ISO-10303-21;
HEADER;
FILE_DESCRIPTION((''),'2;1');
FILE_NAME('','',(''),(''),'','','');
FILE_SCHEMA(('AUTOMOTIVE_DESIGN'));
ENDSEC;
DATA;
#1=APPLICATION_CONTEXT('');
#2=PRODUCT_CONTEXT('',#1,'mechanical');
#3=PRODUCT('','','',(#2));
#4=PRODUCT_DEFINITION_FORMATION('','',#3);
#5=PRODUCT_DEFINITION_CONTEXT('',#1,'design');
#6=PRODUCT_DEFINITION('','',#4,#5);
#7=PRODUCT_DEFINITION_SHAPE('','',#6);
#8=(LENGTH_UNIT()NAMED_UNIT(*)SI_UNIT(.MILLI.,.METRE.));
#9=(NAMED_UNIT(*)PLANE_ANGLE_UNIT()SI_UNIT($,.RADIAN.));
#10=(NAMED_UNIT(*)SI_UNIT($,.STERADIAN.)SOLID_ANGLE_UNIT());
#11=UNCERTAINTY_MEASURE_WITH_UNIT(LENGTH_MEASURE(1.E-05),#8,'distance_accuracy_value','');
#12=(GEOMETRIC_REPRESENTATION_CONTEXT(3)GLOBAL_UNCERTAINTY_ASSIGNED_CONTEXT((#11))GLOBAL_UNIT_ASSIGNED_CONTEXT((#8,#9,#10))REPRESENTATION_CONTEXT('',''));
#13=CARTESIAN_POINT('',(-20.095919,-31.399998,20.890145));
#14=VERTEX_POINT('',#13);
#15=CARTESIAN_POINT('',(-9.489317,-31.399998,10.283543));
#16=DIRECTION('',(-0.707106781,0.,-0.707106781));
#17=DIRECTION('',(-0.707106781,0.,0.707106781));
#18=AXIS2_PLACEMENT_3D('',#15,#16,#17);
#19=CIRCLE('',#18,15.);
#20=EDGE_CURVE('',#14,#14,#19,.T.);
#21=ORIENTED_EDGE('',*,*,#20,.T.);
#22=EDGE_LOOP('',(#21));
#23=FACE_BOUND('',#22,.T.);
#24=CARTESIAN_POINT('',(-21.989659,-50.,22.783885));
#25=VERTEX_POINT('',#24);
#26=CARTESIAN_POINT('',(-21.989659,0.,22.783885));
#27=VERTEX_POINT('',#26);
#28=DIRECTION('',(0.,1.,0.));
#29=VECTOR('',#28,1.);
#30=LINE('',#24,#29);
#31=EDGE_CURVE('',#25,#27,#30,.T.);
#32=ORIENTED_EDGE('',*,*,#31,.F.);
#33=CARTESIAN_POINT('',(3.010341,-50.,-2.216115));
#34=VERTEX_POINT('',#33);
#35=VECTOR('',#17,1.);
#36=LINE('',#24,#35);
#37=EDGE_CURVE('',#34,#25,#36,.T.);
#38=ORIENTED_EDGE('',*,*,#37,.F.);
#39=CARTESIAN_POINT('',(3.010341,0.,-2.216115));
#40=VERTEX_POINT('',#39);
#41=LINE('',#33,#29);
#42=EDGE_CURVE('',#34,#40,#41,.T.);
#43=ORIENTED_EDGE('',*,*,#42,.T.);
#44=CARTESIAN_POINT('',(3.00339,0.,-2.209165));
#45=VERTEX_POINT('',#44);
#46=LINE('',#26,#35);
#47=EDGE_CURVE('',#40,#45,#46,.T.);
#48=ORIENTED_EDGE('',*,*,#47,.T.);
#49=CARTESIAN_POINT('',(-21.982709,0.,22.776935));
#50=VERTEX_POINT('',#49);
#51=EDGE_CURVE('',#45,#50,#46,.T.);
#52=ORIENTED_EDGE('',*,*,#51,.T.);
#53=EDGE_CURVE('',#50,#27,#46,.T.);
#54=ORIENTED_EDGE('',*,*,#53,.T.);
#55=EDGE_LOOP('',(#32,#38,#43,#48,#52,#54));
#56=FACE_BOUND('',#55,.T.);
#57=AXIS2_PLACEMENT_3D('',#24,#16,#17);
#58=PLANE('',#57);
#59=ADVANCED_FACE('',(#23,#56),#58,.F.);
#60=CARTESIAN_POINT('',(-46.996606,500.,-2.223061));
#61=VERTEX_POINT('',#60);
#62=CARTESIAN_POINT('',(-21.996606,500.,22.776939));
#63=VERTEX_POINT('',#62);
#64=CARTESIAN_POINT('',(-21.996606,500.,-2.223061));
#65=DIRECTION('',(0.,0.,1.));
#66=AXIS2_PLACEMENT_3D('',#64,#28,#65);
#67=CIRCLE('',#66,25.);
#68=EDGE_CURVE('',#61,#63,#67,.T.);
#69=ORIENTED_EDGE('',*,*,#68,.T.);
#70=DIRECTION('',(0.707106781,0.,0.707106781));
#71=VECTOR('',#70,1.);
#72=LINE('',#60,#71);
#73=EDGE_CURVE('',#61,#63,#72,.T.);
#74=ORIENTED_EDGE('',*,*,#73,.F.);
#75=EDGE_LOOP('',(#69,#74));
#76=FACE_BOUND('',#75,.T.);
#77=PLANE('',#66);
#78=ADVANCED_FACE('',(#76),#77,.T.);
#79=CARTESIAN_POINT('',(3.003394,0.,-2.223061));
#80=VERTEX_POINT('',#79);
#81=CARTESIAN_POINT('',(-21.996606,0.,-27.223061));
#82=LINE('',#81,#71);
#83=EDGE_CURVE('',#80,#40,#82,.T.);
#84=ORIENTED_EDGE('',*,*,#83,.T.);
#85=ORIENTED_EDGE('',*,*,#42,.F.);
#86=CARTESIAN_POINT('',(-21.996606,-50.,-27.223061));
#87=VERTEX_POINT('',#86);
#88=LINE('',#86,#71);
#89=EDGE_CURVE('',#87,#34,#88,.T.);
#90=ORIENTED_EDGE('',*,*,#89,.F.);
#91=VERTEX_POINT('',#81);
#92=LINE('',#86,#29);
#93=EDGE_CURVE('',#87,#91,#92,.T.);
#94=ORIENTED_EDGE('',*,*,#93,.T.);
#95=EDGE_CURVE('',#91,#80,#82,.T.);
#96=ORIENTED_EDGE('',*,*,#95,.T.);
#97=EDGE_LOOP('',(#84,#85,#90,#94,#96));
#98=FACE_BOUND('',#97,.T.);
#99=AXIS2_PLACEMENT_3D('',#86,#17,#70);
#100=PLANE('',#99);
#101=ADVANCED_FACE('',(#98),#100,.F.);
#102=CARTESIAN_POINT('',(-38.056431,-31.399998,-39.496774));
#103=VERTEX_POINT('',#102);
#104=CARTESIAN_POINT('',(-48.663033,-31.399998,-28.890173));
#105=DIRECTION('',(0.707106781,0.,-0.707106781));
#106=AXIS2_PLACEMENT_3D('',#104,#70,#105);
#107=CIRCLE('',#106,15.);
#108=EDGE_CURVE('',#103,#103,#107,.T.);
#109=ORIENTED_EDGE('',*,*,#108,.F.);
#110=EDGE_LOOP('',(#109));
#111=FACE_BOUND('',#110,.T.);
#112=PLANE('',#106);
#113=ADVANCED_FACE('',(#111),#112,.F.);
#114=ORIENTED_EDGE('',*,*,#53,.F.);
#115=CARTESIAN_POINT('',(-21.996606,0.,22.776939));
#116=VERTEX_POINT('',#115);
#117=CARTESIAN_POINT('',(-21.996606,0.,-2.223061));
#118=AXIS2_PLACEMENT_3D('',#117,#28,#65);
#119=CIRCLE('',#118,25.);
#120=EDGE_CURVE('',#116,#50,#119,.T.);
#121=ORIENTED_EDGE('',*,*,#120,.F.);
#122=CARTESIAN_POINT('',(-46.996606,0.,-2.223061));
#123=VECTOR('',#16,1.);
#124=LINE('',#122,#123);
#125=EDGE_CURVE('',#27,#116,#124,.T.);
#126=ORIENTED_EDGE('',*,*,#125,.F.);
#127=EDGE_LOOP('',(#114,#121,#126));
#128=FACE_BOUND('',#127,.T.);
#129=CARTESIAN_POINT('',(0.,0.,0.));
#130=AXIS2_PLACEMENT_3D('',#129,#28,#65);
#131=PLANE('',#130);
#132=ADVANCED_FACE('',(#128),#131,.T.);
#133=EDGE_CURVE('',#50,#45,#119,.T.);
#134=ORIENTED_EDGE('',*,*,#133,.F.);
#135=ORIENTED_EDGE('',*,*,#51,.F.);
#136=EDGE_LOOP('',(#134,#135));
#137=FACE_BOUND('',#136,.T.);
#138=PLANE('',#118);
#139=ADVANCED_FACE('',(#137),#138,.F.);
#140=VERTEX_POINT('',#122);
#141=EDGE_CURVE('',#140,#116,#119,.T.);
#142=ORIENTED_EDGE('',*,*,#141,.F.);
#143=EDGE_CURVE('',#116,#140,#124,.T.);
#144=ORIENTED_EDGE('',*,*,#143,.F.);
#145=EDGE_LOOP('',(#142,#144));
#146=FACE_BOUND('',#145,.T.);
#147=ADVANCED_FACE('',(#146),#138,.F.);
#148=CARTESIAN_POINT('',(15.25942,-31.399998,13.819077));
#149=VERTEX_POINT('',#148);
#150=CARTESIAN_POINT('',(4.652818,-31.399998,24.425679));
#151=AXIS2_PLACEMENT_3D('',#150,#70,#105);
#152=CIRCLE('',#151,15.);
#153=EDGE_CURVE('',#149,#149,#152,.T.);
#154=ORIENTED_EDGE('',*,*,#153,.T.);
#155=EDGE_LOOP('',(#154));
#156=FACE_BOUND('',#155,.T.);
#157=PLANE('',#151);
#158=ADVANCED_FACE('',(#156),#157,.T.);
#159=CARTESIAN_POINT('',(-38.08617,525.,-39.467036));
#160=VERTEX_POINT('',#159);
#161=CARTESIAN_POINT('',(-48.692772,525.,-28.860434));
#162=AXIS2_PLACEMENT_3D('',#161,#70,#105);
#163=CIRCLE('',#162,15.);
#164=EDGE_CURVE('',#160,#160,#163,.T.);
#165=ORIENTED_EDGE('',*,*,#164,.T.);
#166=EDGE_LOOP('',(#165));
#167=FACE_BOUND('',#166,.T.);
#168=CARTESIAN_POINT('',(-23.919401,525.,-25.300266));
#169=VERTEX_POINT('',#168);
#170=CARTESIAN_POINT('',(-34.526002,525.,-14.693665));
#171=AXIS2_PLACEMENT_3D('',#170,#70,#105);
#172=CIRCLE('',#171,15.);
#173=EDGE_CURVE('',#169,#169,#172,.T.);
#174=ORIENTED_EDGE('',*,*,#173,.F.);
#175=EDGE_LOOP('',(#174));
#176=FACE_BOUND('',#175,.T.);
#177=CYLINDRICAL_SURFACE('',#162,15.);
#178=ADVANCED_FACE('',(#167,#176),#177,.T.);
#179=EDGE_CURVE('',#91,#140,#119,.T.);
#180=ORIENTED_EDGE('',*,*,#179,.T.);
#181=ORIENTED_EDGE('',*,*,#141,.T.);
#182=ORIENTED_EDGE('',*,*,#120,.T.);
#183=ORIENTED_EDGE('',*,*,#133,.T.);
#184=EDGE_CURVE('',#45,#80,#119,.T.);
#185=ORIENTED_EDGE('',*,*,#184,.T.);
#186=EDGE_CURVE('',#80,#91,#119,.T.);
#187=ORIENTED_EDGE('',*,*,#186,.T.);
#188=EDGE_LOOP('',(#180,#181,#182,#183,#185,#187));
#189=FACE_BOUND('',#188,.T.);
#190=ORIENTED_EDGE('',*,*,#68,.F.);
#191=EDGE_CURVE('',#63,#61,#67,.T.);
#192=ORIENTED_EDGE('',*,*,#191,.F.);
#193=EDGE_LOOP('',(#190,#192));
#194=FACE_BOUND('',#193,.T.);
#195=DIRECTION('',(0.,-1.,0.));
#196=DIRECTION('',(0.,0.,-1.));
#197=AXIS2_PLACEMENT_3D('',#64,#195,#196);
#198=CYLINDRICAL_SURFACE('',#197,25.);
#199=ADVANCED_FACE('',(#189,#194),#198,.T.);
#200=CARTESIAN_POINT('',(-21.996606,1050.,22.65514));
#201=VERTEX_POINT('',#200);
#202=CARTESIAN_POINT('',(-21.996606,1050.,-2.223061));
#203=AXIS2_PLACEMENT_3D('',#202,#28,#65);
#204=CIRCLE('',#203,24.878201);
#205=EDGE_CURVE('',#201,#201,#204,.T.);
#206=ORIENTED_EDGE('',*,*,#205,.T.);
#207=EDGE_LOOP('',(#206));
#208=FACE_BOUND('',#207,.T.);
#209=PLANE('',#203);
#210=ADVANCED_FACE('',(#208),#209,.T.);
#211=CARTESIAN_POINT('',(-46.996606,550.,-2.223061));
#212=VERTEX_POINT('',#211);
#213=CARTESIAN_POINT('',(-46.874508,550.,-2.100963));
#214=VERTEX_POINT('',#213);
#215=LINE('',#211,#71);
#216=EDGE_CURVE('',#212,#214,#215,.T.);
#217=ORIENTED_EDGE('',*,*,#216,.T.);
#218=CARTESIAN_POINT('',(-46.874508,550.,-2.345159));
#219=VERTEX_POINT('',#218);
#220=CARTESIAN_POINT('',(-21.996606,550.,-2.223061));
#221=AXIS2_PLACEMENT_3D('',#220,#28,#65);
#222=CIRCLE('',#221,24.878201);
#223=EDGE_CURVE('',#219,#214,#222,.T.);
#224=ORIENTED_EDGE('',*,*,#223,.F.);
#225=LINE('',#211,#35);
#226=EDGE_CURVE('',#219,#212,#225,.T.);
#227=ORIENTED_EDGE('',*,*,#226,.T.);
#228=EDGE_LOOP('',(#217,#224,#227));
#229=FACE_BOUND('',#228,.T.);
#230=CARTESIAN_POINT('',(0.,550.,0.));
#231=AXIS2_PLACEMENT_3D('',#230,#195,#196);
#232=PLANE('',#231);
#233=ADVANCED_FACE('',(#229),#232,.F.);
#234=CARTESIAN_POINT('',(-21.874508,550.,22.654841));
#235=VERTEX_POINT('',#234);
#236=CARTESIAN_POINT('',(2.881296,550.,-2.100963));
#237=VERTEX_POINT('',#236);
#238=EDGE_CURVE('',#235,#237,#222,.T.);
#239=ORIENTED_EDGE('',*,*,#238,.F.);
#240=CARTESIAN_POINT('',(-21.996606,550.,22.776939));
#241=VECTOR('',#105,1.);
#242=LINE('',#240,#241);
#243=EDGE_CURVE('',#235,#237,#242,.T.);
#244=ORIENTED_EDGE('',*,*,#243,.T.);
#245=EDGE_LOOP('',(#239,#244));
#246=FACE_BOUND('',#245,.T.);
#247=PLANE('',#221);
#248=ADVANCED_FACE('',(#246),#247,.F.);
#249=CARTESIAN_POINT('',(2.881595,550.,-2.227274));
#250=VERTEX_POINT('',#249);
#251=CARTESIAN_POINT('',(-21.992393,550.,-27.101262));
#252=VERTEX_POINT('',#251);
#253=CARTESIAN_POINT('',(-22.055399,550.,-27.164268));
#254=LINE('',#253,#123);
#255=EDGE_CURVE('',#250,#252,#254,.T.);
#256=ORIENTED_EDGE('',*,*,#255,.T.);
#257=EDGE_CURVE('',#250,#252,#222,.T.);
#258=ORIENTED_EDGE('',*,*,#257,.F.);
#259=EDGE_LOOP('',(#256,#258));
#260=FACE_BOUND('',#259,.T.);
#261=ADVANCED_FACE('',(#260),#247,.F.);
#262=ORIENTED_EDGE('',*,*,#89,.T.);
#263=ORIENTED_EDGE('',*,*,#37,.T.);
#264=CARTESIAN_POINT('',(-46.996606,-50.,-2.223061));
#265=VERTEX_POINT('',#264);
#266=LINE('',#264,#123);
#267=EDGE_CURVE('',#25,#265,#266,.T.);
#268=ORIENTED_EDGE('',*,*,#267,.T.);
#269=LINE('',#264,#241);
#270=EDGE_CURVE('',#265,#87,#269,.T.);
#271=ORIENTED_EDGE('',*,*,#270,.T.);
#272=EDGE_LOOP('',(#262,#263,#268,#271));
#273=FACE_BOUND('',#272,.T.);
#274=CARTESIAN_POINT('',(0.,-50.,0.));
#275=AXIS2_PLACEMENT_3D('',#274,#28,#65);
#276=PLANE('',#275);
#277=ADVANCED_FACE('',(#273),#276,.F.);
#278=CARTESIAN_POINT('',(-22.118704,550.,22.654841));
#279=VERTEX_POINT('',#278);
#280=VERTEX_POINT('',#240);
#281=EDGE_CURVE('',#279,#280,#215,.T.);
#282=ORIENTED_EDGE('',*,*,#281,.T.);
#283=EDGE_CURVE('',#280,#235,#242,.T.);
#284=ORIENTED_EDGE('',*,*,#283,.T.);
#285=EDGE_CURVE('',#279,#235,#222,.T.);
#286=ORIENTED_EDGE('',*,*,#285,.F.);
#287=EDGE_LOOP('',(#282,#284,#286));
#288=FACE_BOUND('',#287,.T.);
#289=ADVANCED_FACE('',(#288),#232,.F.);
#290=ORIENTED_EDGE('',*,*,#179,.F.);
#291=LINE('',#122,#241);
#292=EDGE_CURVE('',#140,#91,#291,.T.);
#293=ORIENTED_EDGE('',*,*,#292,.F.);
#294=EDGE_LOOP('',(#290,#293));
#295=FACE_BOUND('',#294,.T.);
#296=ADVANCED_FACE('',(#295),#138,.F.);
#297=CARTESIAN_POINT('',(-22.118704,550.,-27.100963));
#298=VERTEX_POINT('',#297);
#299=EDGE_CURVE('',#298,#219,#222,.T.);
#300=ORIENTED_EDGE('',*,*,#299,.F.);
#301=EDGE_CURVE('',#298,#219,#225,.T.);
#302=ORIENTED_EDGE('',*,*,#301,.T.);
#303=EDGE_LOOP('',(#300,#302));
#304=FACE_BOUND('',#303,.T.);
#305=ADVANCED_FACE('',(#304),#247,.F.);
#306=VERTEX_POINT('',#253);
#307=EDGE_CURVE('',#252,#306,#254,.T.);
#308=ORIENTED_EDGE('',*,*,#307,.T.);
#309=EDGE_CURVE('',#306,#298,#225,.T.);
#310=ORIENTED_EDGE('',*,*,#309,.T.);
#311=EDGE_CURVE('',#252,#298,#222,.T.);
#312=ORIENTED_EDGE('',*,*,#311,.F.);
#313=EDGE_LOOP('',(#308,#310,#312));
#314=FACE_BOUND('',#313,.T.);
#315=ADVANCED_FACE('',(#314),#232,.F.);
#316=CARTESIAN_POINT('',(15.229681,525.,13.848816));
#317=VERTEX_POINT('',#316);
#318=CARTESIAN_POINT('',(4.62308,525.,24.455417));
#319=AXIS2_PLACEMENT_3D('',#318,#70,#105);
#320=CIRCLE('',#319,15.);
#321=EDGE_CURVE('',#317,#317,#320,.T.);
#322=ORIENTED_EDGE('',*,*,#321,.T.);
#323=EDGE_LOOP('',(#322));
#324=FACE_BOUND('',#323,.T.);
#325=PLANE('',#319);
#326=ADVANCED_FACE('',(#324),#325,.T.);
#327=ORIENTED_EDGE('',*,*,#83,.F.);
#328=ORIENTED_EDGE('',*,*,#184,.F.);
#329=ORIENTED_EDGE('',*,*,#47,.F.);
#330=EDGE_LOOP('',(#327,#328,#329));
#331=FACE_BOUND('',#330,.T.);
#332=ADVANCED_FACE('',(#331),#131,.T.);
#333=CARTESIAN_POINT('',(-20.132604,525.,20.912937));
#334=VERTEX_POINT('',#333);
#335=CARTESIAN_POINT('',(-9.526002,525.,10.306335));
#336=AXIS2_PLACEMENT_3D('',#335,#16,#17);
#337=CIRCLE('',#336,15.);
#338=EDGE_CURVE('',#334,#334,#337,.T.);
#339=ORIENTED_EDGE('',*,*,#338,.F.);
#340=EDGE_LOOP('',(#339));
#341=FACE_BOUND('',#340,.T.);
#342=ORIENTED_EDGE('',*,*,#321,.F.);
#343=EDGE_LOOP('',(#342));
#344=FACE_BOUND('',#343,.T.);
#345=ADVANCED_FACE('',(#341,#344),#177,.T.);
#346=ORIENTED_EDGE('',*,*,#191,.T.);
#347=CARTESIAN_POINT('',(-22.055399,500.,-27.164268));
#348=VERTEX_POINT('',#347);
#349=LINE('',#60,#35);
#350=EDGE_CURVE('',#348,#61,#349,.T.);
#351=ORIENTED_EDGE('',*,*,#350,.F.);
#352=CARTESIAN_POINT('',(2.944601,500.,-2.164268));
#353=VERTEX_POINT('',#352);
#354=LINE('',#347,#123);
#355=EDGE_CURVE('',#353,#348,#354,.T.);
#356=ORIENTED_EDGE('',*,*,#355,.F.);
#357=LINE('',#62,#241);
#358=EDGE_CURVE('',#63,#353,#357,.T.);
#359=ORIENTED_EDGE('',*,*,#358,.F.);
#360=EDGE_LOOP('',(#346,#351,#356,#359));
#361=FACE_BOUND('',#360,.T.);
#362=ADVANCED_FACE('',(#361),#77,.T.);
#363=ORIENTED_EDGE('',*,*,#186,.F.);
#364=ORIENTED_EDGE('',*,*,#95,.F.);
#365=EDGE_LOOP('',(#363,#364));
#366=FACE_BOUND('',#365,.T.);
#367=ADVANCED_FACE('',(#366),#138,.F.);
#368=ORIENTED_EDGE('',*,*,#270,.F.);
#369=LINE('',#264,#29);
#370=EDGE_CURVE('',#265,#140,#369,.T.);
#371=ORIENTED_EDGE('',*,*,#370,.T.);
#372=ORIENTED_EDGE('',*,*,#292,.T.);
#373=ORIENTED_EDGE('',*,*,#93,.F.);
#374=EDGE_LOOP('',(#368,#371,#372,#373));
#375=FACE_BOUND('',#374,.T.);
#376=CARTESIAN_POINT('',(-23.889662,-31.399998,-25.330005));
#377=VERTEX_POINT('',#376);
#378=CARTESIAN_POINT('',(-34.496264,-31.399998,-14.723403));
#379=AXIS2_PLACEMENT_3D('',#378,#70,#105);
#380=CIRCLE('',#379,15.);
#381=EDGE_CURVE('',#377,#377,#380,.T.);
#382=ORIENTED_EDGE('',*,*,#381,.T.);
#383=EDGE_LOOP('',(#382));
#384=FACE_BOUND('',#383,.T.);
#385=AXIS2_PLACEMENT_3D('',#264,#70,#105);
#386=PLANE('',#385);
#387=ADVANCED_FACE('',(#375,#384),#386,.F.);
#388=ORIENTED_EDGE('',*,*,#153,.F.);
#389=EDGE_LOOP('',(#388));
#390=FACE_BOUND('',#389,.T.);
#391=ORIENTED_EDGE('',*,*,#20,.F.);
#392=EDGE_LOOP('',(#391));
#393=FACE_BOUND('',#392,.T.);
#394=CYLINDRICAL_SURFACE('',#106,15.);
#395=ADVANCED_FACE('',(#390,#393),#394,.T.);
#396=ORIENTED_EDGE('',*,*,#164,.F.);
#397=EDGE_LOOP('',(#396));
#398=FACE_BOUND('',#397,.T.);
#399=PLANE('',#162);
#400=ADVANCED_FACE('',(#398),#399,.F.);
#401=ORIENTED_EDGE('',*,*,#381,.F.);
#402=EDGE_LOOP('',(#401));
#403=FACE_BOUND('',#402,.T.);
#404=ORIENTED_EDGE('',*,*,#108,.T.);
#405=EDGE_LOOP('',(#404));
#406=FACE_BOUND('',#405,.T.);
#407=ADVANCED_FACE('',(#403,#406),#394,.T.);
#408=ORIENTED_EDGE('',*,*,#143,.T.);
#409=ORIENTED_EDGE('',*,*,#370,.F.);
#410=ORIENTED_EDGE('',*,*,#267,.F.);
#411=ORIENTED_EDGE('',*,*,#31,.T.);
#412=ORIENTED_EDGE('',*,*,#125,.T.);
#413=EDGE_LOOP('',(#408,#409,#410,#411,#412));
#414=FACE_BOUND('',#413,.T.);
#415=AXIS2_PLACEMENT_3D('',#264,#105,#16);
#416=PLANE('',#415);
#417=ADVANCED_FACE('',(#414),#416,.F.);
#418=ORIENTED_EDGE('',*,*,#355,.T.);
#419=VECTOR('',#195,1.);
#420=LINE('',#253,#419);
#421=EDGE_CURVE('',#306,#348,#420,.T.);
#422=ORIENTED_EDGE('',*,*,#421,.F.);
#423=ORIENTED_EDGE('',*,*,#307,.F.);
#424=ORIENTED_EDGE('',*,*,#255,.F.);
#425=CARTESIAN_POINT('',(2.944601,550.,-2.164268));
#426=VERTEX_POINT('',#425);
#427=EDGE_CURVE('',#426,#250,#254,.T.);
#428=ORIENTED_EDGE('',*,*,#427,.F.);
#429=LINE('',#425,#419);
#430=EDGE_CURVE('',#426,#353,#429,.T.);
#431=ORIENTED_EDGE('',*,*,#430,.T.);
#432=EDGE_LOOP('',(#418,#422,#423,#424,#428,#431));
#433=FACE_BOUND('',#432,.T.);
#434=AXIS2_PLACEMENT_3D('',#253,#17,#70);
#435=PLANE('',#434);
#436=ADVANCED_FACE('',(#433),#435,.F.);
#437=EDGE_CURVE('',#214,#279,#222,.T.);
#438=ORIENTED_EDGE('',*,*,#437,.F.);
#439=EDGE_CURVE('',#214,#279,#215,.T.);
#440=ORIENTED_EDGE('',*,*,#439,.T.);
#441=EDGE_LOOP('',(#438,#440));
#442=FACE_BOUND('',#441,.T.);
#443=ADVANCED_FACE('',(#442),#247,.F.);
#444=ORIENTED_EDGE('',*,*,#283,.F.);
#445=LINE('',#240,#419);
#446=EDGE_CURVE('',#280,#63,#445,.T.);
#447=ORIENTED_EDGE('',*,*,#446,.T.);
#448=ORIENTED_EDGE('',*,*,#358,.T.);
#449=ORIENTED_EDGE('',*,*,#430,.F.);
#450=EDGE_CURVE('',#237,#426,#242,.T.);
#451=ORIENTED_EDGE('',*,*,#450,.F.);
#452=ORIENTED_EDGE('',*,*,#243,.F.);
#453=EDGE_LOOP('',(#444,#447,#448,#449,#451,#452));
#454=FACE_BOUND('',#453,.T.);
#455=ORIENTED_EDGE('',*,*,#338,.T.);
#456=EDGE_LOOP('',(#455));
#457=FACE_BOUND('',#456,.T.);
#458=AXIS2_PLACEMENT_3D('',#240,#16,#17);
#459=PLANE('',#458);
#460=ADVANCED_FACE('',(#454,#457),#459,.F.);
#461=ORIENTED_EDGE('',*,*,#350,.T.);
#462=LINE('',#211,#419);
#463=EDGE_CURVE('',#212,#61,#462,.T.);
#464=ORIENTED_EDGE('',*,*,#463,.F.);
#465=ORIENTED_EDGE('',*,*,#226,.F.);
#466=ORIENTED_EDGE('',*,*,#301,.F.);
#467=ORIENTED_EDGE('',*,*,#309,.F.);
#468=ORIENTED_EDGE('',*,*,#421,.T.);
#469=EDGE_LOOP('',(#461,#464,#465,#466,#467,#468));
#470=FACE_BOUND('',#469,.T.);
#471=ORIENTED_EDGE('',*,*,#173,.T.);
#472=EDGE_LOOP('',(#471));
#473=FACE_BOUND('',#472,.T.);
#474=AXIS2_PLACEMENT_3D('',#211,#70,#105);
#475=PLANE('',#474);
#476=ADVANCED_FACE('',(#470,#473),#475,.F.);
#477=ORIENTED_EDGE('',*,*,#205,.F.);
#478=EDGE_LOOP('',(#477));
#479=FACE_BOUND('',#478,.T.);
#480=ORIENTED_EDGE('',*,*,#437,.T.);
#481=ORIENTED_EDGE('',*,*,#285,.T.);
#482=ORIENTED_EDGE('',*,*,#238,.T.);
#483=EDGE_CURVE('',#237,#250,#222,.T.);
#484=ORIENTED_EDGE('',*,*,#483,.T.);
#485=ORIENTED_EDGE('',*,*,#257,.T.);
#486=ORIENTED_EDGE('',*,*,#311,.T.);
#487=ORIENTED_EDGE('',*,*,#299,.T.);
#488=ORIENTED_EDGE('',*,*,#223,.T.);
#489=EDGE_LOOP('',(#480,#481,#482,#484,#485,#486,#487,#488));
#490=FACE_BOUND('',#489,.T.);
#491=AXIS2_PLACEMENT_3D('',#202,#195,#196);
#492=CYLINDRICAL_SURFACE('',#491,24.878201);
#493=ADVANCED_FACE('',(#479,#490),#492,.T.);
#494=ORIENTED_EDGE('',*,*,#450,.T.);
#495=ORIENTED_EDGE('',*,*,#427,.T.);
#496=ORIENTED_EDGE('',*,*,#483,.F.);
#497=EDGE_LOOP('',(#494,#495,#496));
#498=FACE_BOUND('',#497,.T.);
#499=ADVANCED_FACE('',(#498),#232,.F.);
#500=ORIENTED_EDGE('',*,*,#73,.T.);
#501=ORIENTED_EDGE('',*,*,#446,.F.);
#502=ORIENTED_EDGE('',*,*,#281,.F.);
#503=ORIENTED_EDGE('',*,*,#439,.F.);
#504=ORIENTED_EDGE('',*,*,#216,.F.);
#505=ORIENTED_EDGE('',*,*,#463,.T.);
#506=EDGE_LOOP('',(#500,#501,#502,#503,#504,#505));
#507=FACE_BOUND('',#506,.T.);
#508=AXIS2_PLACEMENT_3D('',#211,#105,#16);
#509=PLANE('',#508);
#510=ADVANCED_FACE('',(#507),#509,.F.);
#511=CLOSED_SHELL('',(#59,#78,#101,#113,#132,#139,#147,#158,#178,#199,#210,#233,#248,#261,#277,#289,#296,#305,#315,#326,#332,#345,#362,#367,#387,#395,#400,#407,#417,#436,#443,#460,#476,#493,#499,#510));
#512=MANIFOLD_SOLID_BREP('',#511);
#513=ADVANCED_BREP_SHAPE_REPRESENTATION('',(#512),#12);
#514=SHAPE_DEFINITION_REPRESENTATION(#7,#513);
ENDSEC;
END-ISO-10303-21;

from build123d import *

# Parameters (mm, degrees)
SKETCH1_R                = 25
BOSS_EXTRUDE1_DEPTH      = 500
BOSS_EXTRUDE2_DEPTH      = 50
BOSS_EXTRUDE3_DEPTH      = 50
BOSS_EXTRUDE5_DEPTH      = 20
BOSS_EXTRUDE5_DEPTH_BACK = 55.4
SKETCH5_R                = 15
SKETCH8_R                = 24.878201485
BOSS_EXTRUDE6_DEPTH      = 500


with BuildPart() as part:
    # Sketch1 → Boss-Extrude1 (new body)
    with BuildSketch(Plane(origin=(0, 0, 0), x_dir=(1, 0, 0), z_dir=(0, 1, 0))):
        with Locations(Location((-21.996605786, 2.223061223, 0), (0, 0, 270))):
            Circle(SKETCH1_R)
    extrude(amount=BOSS_EXTRUDE1_DEPTH)

    # Sketch3 → Boss-Extrude2 (add)
    with BuildSketch(Plane(origin=(0, 500, 0), x_dir=(1, 0, 0), z_dir=(0, 1, 0))):
        Polygon((-46.996605786, 2.223061223), (-21.996605786, -22.776938777), (2.944600987, 2.164267995), (-22.055399013, 27.164267995), align=None)
    extrude(amount=BOSS_EXTRUDE2_DEPTH)

    # Sketch4 → Boss-Extrude3 (add)
    with BuildSketch(Plane(origin=(0, 0, 0), x_dir=(-1, 0, 0), z_dir=(0, -1, 0))):
        Polygon((46.996605786, 2.223061223), (21.996605786, 27.223061223), (-3.010340521, 2.216114917), (21.989659479, -22.783885083), align=None)
    extrude(amount=BOSS_EXTRUDE3_DEPTH)

    # Sketch5 → Boss-Extrude5 (add, two sides: drawn at the far end of the back side and taken through both)
    with BuildSketch(Plane(origin=(0.397112802, 0, 0.397112802), x_dir=(0.7071067811865474, 0, -0.7071067811865477), z_dir=(0.7071067811865477, 0, 0.7071067811865474)).offset(-BOSS_EXTRUDE5_DEPTH_BACK)):
        with Locations((-13.981523689, -31.399998411)):
            Circle(SKETCH5_R)
        with Locations((-14.023580538, 525)):
            Circle(SKETCH5_R)
    extrude(amount=BOSS_EXTRUDE5_DEPTH + BOSS_EXTRUDE5_DEPTH_BACK)

    # Sketch8 → Boss-Extrude6 (add)
    with BuildSketch(Plane(origin=(0, 550, 0), x_dir=(1, 0, 0), z_dir=(0, 1, 0))):
        with Locations(Location((-21.996605786, 2.223061223, 0), (0, 0, 89.990298588))):
            Circle(SKETCH8_R)
    extrude(amount=BOSS_EXTRUDE6_DEPTH)


solid = part.part
